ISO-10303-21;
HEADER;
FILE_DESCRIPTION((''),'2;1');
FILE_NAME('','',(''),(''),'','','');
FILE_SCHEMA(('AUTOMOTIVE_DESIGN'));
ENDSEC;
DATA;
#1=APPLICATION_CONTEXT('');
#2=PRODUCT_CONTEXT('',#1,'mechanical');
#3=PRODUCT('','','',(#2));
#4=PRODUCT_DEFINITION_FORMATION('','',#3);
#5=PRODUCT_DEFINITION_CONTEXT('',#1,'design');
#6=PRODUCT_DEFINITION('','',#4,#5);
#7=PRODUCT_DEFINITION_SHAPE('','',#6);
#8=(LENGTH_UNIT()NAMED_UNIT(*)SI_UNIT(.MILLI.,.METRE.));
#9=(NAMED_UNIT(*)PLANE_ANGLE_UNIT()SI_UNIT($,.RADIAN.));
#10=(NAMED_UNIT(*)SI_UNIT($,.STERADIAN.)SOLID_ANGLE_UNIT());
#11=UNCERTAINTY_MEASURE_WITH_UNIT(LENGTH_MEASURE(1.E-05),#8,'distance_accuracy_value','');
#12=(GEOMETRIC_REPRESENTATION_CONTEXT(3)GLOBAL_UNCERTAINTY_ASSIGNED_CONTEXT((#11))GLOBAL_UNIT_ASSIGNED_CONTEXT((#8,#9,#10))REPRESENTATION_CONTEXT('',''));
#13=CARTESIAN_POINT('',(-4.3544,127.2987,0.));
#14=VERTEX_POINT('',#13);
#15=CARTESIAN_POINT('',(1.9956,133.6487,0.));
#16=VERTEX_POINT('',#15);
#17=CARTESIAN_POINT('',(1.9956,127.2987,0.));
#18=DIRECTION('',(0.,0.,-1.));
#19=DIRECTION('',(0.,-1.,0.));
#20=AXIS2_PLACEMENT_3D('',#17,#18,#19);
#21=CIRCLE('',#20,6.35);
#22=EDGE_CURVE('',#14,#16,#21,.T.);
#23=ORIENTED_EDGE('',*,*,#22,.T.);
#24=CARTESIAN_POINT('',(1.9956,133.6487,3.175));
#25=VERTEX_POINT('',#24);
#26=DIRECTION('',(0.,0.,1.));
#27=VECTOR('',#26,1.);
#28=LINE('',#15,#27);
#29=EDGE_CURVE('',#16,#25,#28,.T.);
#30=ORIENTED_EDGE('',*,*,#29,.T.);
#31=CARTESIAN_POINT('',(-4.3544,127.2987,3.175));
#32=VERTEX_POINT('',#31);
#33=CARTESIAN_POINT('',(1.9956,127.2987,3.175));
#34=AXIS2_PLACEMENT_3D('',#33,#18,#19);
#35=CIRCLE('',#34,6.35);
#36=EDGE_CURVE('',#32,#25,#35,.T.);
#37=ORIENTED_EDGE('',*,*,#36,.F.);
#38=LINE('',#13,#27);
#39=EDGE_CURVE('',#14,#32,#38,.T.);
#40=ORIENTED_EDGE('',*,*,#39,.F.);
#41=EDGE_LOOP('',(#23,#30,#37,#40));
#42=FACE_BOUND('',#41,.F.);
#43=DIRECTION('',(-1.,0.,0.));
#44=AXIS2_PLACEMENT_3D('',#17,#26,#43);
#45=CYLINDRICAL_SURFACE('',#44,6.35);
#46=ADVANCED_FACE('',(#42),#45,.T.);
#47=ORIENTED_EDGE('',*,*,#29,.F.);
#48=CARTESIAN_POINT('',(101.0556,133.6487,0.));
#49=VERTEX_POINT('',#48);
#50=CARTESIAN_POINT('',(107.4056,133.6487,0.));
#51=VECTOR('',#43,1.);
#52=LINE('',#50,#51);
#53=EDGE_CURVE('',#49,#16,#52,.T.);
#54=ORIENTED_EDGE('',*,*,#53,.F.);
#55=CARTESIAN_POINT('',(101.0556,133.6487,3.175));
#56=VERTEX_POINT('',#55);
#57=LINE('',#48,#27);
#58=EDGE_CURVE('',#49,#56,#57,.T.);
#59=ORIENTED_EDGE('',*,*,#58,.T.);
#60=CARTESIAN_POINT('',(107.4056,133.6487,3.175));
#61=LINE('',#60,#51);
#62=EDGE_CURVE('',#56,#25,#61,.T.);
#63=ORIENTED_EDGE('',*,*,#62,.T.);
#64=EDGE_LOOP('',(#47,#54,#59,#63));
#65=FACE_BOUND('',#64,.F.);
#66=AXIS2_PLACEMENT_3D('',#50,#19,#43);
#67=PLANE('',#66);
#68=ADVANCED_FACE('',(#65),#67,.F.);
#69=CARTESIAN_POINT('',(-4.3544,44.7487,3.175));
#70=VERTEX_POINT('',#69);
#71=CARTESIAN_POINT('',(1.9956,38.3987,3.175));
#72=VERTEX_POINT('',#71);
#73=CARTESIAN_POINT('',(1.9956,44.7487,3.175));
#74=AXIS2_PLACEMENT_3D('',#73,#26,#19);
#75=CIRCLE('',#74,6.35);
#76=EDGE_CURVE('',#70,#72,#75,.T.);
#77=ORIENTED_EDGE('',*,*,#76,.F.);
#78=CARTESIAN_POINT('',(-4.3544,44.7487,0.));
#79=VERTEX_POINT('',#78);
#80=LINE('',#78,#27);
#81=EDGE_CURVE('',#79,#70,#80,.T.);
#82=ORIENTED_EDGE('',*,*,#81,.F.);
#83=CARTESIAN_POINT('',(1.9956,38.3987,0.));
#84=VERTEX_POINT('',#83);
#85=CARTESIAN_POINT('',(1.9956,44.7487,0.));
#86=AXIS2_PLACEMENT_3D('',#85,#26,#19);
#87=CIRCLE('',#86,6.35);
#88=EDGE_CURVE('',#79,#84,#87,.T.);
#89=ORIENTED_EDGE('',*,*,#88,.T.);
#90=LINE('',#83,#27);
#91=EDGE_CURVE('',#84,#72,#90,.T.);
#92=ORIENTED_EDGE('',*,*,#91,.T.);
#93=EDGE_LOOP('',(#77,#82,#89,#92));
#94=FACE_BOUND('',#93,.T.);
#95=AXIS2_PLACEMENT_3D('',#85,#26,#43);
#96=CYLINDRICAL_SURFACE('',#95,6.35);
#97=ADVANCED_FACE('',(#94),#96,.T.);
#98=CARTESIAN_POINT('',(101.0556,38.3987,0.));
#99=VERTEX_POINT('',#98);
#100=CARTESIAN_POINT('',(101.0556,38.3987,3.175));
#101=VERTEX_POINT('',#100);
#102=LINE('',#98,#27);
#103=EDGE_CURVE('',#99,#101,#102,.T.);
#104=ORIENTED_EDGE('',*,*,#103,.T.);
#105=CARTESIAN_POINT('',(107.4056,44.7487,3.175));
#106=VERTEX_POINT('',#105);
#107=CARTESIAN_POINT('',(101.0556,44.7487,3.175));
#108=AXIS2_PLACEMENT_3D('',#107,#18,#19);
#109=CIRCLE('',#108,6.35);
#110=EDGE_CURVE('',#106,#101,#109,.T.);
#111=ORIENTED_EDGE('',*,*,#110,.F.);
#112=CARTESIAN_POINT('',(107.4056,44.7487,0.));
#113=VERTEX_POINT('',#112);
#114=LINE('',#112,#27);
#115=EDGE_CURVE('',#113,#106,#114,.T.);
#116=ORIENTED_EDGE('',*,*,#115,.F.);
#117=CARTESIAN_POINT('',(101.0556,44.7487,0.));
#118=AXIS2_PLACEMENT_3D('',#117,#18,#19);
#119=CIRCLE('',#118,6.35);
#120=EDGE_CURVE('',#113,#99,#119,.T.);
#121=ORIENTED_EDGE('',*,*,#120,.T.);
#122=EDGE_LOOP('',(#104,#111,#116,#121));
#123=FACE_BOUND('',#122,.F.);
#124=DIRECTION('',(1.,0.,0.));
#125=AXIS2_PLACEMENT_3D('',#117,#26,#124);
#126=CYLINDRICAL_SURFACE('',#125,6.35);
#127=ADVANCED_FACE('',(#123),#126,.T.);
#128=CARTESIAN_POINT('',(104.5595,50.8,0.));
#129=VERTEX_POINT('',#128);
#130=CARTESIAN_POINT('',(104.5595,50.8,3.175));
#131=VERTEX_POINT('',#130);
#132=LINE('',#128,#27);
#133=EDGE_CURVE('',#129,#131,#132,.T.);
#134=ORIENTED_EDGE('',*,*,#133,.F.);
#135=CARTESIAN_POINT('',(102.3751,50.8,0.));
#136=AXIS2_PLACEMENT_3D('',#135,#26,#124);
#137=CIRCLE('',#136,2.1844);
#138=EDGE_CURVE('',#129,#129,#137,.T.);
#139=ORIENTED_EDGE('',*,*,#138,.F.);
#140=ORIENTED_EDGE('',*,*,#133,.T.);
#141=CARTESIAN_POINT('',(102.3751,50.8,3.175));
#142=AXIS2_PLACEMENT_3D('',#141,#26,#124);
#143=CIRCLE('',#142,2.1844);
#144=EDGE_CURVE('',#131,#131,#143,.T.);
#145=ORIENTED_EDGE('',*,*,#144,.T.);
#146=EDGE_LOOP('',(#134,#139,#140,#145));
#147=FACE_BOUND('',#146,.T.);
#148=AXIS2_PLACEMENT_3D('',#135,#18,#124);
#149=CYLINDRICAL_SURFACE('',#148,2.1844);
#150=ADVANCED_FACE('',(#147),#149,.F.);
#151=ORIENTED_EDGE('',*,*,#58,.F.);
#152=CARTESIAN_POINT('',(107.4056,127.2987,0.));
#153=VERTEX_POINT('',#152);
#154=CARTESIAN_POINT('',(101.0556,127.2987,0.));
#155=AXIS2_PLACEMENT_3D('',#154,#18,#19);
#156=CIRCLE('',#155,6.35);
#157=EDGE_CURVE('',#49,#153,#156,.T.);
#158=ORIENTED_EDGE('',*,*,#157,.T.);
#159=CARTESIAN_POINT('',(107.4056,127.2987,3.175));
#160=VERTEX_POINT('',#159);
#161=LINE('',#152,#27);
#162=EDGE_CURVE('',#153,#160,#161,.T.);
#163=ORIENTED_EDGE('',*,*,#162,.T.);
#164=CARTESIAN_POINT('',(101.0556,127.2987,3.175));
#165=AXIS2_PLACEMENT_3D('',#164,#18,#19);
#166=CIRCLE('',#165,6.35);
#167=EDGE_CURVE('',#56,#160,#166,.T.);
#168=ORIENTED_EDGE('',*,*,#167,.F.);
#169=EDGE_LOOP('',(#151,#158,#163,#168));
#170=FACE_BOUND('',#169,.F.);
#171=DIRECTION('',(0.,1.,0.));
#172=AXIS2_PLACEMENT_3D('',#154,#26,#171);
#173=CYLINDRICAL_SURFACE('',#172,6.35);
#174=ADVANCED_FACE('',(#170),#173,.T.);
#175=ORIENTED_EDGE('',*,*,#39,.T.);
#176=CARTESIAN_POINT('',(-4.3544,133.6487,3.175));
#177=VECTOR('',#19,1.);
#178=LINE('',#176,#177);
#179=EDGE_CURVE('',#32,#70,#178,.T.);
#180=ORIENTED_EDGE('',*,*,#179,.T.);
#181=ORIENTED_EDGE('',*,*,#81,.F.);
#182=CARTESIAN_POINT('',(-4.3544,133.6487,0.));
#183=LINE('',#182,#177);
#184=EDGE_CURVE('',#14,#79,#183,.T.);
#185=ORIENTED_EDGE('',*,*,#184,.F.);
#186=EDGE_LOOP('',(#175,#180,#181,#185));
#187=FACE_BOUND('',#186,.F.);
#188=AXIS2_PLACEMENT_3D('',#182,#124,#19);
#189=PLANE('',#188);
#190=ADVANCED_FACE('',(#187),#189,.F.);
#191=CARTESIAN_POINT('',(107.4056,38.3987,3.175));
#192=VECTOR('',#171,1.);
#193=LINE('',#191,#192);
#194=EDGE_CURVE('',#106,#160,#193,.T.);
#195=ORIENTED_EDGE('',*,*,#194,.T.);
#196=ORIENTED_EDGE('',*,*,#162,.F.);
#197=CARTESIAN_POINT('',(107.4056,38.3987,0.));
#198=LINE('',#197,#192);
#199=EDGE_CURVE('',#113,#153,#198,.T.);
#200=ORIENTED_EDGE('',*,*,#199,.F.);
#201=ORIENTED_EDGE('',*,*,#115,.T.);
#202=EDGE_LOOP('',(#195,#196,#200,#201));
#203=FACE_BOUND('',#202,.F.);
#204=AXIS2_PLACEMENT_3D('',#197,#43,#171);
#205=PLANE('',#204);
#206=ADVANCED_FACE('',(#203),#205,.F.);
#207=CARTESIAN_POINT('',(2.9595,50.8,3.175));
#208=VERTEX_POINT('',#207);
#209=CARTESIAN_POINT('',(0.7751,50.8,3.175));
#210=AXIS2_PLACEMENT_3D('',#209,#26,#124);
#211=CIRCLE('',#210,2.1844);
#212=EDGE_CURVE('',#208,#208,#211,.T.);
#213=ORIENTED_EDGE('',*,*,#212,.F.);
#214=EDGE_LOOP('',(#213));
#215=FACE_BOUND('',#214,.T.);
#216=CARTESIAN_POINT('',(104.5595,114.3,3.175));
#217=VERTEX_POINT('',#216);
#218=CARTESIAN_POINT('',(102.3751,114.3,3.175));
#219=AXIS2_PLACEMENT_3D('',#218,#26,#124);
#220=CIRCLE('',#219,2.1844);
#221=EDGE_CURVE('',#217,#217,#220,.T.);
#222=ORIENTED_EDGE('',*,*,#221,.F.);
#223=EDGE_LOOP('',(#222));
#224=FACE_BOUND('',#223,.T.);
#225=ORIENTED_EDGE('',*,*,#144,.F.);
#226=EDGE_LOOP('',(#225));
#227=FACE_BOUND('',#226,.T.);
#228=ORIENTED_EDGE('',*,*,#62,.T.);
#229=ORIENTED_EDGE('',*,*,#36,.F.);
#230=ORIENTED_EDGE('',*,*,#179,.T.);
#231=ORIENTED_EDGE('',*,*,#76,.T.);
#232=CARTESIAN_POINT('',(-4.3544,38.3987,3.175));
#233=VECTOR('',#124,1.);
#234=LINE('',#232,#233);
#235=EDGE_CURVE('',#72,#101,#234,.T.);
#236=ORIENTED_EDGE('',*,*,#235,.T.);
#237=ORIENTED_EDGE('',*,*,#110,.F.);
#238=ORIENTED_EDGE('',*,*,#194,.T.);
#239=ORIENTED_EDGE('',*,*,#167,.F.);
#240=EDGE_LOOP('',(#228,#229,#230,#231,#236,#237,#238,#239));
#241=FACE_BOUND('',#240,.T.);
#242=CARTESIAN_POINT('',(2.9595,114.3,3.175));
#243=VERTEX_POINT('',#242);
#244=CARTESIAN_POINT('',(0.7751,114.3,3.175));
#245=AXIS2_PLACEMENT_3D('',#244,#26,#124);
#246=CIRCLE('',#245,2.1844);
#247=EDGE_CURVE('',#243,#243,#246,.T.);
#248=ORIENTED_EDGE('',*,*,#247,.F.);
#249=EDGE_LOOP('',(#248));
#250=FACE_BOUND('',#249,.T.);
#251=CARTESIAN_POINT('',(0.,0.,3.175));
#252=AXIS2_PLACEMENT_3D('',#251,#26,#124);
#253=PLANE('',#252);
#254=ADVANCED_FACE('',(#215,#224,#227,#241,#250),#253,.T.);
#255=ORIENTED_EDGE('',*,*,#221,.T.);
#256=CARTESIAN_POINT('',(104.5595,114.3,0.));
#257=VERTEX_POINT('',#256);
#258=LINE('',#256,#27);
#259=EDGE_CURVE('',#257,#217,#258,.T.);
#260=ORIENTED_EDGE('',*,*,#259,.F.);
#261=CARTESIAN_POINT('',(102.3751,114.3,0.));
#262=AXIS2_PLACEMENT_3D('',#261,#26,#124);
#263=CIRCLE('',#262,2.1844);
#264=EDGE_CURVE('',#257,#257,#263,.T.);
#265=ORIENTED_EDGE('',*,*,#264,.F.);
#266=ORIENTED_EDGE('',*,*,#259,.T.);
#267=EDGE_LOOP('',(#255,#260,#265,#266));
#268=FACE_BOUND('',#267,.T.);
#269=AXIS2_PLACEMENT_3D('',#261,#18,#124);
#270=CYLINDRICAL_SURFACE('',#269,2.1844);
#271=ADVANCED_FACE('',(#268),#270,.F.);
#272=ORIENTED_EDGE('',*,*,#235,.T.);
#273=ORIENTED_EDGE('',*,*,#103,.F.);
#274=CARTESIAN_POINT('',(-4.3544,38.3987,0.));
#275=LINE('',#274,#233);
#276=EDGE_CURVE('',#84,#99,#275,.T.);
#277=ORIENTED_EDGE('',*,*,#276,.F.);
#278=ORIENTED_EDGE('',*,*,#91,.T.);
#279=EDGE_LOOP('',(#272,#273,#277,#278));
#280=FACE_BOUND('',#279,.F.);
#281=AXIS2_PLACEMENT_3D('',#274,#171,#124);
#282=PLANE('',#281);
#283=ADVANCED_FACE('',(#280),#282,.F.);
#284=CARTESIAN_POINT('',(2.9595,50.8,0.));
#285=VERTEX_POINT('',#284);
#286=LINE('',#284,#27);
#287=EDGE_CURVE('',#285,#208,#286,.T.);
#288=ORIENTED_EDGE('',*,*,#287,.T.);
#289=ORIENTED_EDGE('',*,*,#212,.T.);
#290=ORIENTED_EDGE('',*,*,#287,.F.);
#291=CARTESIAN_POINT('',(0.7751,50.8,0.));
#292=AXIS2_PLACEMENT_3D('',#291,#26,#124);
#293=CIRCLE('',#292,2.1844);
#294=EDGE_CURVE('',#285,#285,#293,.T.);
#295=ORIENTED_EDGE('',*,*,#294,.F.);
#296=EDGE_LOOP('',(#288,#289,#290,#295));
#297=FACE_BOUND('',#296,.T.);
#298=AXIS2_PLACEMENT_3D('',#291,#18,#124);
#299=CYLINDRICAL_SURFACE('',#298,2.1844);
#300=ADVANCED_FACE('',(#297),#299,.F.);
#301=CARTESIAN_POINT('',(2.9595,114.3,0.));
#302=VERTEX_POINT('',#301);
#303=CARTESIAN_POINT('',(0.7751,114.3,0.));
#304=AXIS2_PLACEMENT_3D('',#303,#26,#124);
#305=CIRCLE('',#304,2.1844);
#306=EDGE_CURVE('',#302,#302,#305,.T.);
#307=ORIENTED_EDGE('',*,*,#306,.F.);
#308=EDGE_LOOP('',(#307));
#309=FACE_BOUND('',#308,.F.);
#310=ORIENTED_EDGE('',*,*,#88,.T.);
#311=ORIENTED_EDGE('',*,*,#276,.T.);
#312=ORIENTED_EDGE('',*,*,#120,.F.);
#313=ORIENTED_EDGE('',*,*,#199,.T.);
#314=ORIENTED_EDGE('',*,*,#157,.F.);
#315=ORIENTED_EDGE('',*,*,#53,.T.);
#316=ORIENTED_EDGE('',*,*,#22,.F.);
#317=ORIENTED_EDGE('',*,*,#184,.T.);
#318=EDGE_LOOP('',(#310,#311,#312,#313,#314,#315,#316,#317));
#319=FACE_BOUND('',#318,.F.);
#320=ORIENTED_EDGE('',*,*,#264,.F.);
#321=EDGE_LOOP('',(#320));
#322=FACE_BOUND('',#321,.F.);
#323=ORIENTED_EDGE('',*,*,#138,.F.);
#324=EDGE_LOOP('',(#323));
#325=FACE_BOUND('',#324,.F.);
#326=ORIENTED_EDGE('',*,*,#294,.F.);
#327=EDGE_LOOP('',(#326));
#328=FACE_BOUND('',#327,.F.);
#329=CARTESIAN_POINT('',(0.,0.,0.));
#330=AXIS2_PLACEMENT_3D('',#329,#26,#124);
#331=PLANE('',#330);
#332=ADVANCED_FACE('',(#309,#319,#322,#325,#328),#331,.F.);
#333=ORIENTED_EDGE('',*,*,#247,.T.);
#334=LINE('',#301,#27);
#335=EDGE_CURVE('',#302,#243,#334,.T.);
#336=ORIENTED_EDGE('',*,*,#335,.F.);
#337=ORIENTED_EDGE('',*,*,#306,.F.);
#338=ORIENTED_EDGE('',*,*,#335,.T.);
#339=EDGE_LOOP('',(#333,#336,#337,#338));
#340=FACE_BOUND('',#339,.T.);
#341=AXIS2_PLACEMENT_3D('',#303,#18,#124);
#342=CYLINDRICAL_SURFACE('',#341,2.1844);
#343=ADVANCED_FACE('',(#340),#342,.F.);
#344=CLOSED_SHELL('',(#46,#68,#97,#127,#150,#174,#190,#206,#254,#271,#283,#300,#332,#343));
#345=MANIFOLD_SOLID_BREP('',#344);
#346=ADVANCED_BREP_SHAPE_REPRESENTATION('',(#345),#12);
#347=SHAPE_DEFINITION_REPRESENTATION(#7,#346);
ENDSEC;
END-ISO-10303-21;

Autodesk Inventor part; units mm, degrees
ref_plane "YZ Plane" through (0, 0, 0) normal (1, 0, 0) x (0, 1, 0)
ref_plane "XZ Plane" through (0, 0, 0) normal (0, 1, 0) x (-1, 0, 0)
ref_plane "Work Plane1" through (0, 0, 0) normal (0, 0, 1) x (1, 0, 0)
sketch "Sketch1" plane through (0, 0, 0) normal (0, 0, 1) x (1, 0, 0)
  line L0 (-4.3544, 38.3987) -> (107.4056, 38.3987)
  line L1 (107.4056, 38.3987) -> (107.4056, 133.6487)
  line L2 (107.4056, 133.6487) -> (-4.3544, 133.6487)
  line L3 (-4.3544, 133.6487) -> (-4.3544, 38.3987)
  circle A0 centre (0.7751, 50.8) radius 2.1844
  circle A1 centre (102.3751, 50.8) radius 2.1844
  circle A2 centre (0.7751, 114.3) radius 2.1844
  circle A3 centre (102.3751, 114.3) radius 2.1844
  point P0 (0, 0)
  dimension "d0" = 111.76
  dimension "d1" = 95.25
extrude "Extrusion1" add sketch "Sketch1" along normal blind 3.175
fillet "Fillet1" radius 6.35 4 edges at (-4.3544, 38.3987, 1.5875) (107.4056, 38.3987, 1.5875) (-4.3544, 133.6487, 1.5875) (107.4056, 133.6487, 1.5875)
properties part number "Poly3" material "Polycarbonate, Smoke"
